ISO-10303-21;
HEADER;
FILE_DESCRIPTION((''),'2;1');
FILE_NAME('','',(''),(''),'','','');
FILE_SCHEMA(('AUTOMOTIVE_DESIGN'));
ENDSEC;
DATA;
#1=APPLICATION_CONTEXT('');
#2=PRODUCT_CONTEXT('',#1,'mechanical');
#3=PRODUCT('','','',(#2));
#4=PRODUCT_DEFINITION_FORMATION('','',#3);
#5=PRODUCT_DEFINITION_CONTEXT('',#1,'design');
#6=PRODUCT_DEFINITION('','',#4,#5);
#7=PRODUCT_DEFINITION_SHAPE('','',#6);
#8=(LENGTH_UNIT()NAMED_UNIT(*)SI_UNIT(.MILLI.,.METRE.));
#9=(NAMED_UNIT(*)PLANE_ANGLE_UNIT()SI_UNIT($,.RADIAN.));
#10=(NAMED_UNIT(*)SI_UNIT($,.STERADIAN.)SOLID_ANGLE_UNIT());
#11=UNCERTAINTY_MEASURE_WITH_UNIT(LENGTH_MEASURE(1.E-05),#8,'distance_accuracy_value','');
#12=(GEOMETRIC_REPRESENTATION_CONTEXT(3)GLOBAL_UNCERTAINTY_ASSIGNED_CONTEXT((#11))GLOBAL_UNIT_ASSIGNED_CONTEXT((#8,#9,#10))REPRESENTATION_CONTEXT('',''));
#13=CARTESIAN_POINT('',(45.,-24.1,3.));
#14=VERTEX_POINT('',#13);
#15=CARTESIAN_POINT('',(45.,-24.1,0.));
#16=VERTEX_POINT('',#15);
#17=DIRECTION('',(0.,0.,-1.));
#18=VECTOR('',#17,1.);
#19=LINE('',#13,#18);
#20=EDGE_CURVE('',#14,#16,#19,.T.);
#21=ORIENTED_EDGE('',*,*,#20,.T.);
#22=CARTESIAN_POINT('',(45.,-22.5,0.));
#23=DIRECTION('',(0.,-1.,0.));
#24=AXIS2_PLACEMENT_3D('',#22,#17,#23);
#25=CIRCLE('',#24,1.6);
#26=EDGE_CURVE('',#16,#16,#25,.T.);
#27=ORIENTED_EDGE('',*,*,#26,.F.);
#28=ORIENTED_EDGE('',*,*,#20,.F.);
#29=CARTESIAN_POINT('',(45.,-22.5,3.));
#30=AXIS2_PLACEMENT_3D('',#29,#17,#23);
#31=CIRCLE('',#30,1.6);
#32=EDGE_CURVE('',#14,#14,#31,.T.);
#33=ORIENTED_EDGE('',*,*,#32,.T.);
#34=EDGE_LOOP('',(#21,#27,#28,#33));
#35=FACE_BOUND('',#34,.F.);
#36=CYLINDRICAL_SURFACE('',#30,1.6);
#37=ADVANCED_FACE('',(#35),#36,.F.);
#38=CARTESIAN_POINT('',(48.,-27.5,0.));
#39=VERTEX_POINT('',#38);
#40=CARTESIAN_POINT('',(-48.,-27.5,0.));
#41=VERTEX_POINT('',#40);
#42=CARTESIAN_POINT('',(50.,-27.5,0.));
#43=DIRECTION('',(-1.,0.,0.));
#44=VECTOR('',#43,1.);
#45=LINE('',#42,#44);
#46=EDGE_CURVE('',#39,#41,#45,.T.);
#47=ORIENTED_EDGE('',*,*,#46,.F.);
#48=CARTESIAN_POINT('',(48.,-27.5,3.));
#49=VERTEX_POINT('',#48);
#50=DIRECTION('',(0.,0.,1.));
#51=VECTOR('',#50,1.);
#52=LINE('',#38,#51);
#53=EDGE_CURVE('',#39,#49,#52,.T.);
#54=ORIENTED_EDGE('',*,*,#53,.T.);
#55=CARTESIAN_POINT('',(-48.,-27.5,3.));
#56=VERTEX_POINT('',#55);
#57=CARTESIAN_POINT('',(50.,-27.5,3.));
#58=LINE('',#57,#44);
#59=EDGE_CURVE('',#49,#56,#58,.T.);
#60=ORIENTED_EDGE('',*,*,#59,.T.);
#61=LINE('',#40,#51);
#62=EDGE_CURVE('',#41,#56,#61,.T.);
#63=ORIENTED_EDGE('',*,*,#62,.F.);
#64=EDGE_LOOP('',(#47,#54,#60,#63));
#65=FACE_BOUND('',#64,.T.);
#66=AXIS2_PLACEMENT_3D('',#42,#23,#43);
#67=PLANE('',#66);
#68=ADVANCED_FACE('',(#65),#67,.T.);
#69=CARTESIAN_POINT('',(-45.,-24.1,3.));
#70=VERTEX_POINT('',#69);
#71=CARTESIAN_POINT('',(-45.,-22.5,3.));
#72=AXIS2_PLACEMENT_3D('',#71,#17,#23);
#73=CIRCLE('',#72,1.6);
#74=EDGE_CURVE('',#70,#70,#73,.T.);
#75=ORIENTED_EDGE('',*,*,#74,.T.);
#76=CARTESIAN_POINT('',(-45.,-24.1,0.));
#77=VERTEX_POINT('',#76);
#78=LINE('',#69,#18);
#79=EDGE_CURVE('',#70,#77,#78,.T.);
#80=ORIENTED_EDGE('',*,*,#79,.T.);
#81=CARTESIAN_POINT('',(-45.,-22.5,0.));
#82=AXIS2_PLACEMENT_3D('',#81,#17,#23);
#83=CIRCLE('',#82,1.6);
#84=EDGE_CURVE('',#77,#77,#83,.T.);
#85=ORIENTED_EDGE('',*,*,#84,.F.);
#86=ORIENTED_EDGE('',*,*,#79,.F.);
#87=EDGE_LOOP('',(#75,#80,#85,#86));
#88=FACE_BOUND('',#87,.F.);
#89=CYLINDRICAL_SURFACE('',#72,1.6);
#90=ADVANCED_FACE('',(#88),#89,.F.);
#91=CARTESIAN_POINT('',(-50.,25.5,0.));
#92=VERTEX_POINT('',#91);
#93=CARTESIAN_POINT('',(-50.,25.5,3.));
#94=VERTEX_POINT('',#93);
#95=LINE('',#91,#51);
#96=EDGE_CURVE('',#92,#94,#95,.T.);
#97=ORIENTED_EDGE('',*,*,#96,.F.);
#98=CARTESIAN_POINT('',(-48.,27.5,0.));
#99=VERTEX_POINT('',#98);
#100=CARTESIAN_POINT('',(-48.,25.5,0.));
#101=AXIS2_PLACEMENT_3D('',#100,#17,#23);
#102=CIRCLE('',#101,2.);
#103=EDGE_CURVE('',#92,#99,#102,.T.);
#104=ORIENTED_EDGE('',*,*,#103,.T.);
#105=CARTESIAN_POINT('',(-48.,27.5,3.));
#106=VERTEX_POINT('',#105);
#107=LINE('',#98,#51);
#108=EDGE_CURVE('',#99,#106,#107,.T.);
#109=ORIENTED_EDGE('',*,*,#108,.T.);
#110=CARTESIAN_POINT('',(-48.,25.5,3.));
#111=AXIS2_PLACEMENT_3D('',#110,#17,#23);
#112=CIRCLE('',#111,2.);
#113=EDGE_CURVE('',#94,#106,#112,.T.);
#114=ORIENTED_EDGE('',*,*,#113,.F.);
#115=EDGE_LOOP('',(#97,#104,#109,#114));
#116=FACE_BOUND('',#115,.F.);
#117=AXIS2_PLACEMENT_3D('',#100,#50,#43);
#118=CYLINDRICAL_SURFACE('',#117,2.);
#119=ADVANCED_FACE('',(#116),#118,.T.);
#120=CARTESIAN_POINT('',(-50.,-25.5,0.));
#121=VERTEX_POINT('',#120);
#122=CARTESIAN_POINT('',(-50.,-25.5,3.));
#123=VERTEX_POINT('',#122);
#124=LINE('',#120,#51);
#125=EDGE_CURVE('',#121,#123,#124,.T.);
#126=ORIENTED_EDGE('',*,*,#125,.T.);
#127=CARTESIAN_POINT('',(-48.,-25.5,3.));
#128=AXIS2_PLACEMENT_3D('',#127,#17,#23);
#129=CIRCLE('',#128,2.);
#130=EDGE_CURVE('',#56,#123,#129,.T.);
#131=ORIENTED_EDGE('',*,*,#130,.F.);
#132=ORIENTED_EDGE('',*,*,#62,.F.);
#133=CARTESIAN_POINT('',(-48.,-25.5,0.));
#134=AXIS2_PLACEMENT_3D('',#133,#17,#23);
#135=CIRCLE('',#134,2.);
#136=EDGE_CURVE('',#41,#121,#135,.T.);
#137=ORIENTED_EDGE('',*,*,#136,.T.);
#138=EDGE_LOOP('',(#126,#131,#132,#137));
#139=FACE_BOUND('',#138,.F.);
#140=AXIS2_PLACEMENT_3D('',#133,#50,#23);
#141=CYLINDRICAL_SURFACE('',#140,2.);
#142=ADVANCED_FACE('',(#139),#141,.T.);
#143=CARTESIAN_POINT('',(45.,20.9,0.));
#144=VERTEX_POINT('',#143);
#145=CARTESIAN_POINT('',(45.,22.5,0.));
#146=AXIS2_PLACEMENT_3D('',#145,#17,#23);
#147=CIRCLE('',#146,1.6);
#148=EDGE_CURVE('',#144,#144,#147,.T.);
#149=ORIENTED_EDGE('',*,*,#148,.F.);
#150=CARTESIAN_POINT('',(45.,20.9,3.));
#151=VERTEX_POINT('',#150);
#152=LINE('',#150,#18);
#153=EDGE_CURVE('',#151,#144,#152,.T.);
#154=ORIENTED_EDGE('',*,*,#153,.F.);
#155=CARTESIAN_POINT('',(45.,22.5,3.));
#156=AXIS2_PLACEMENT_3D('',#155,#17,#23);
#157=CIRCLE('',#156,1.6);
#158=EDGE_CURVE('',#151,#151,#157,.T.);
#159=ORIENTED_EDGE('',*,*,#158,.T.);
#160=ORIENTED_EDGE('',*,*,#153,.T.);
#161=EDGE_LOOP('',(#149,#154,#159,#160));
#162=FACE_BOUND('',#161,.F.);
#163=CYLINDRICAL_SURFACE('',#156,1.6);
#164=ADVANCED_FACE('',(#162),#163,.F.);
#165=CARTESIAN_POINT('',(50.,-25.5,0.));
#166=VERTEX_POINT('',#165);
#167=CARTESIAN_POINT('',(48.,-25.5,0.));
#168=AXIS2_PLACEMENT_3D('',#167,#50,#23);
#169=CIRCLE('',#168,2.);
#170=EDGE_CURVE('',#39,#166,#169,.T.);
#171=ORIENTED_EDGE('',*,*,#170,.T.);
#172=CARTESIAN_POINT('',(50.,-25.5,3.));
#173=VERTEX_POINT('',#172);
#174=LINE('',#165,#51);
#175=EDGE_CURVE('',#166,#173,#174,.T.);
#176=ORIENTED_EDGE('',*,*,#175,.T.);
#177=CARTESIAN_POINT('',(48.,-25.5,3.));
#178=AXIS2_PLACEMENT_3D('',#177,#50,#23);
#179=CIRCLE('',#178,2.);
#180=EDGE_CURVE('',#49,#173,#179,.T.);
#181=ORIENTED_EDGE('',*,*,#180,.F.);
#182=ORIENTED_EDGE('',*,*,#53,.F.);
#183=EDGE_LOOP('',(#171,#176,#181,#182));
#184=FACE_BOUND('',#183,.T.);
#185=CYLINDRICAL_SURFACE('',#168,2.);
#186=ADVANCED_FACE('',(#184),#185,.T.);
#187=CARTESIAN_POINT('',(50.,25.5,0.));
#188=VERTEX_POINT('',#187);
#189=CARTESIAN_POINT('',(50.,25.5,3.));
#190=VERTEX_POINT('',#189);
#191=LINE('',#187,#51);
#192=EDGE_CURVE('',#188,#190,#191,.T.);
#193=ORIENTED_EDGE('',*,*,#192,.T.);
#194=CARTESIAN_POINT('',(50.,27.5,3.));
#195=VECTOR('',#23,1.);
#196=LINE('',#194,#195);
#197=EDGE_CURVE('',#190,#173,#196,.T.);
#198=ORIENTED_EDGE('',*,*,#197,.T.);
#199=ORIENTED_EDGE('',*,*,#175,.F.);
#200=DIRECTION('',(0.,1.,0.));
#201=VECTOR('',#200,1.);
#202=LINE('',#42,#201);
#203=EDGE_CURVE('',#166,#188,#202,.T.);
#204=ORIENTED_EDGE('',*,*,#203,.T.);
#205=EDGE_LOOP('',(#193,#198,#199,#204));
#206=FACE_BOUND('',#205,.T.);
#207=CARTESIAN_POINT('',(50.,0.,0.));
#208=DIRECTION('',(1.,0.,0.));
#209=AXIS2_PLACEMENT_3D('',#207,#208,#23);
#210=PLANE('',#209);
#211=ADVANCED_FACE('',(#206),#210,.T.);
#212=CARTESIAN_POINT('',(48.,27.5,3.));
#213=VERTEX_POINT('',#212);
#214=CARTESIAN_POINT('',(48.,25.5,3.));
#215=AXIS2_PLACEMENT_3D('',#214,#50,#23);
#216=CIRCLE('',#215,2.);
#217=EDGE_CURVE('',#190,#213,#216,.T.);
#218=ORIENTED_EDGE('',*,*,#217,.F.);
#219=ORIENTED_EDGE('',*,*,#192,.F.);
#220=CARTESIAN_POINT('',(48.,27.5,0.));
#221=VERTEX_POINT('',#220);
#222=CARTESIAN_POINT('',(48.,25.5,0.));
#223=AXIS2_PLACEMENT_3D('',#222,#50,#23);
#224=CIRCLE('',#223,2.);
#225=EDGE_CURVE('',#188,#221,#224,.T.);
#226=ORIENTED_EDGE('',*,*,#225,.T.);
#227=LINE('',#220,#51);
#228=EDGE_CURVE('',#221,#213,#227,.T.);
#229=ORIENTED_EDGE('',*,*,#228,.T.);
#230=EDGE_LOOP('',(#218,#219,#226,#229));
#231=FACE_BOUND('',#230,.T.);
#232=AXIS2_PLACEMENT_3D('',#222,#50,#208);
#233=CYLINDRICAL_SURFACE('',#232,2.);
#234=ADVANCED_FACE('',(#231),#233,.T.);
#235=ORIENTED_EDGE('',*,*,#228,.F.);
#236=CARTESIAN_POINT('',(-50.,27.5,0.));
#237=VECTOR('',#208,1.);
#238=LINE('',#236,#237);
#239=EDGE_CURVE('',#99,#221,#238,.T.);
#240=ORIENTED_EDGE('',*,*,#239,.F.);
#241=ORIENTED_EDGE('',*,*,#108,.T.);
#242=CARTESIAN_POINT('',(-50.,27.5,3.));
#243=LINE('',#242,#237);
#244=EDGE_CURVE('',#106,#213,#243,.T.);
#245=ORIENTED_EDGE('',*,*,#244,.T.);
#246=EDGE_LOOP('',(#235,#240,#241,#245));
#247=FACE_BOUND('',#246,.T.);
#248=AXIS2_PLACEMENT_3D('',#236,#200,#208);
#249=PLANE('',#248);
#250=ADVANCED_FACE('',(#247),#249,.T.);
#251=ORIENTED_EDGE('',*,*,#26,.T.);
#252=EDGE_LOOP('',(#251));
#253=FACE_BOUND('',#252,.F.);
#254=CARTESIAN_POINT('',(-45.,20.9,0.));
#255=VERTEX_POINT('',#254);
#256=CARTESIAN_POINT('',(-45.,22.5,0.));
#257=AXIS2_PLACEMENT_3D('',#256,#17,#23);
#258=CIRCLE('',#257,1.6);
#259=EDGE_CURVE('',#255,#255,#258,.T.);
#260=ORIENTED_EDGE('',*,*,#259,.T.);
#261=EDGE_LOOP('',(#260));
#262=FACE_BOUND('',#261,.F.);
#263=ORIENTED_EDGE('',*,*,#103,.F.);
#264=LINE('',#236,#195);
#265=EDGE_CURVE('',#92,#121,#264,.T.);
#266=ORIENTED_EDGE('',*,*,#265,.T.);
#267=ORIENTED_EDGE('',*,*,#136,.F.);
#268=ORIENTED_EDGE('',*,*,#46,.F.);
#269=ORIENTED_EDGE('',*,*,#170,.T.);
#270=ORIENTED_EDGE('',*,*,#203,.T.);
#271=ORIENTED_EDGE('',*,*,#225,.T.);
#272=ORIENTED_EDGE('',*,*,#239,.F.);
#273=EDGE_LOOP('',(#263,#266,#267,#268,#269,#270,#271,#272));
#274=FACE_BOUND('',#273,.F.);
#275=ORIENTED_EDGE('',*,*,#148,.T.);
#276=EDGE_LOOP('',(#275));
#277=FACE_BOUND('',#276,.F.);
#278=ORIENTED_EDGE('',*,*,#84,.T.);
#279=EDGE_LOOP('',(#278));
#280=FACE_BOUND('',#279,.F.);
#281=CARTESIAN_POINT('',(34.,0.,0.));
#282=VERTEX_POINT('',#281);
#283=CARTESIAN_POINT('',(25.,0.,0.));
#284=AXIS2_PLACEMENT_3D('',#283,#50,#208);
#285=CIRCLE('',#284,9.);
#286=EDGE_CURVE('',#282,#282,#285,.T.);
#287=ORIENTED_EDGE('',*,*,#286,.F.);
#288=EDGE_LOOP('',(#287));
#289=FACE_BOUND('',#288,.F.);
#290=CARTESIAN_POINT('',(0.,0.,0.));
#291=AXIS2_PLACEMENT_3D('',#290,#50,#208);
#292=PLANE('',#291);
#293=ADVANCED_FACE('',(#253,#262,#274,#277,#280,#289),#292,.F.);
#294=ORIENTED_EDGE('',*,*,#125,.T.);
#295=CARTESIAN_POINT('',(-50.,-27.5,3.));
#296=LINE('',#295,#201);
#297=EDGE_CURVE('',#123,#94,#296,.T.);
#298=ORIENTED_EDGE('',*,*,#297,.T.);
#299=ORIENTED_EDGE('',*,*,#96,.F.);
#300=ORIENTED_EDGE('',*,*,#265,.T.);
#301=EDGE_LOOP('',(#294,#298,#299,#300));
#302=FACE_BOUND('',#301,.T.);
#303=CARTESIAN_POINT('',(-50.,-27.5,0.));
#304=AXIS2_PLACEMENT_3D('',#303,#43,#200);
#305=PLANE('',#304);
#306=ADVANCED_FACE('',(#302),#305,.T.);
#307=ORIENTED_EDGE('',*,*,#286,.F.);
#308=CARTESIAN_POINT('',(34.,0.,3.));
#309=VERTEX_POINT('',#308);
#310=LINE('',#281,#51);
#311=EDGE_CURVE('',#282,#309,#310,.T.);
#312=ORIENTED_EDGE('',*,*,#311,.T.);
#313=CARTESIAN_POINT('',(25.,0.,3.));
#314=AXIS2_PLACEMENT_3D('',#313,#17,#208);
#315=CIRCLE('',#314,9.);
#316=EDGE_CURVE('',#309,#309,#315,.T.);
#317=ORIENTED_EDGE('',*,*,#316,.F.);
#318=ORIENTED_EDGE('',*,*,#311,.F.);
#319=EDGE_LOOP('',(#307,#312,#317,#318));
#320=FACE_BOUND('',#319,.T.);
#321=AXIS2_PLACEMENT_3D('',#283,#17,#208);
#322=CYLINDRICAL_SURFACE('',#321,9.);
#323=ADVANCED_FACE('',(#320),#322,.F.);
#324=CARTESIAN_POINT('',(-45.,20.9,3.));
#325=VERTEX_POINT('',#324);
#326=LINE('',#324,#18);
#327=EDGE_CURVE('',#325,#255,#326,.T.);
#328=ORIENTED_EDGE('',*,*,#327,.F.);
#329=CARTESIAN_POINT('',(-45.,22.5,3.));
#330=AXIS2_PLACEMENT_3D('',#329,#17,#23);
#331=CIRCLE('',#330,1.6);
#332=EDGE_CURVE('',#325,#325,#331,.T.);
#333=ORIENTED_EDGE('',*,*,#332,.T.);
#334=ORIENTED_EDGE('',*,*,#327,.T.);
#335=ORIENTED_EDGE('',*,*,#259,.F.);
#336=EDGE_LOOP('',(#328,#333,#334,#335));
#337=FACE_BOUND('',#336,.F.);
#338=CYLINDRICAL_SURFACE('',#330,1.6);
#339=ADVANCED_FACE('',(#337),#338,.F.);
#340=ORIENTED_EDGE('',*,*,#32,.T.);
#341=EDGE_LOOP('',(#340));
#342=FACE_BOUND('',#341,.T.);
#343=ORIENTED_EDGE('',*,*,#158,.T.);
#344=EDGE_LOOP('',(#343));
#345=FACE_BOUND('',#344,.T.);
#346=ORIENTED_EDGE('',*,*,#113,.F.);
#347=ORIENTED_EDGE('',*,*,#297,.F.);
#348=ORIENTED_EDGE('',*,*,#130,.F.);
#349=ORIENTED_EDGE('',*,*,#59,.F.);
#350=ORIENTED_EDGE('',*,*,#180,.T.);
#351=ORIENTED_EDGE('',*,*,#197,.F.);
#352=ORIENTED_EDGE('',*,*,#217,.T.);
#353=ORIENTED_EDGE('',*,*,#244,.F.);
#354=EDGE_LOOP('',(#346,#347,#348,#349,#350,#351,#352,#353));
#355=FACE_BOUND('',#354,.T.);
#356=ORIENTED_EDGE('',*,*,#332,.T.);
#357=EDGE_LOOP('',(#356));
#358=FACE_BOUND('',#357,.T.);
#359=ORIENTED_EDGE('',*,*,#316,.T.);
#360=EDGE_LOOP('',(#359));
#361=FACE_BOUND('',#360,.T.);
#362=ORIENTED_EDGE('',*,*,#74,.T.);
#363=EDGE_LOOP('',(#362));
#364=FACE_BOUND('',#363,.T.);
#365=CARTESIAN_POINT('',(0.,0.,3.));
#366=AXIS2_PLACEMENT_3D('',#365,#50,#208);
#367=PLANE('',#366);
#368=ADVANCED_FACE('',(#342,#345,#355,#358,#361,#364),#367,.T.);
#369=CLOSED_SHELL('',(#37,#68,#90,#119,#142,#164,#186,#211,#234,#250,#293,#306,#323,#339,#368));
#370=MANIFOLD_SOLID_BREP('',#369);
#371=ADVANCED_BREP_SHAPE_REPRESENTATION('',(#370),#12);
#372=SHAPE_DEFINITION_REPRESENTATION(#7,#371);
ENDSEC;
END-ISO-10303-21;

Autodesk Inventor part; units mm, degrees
ref_plane "YZ Plane" through (0, 0, 0) normal (1, 0, 0) x (0, 1, 0)
ref_plane "XZ Plane" through (0, 0, 0) normal (0, 1, 0) x (-1, 0, 0)
ref_plane "XY Plane" through (0, 0, 0) normal (0, 0, 1) x (1, 0, 0)
sketch "スケッチ1" plane through (0, 0, 0) normal (0, 0, 1) x (1, 0, 0)
  line L0 (50, -27.5) -> (-50, -27.5)
  line L1 (-50, -27.5) -> (-50, 27.5)
  line L2 (-50, 27.5) -> (50, 27.5)
  line L3 (50, 27.5) -> (50, -27.5)
  line L4 (50, -27.5) -> (-50, 27.5) construction
  line L5 (-50, -27.5) -> (50, 27.5) construction
  circle A0 centre (0, 0) radius 25
  line L6 (-50, 0) -> (50, 0)
  circle A1 centre (25, 0) radius 9
  circle A2 centre (-25, 0) radius 12.5
  circle A3 centre (-25, 0) radius 17.5
  circle A4 centre (-25, 17.5) radius 2.05
  circle A5 centre (-42.5, 0) radius 2.05
  circle A6 centre (-25, -17.5) radius 2.05
  circle A7 centre (-7.5, 0) radius 2.05
  dimension "d5" = 35
  dimension "d0" = 100
  dimension "d1" = 55
  dimension "d2" = 50
  dimension "d3" = 18
  dimension "d4" = 25
  dimension "d6" = 4.1
  dimension "d9" = 360
  dimension "d11" = 25
extrude "押し出し1" add sketch "スケッチ1" along normal blind 3 contours L0 L1 L6 A5 A3 A6 A0 A1 L3 | L6 A1 A0 A3 A4 A5 L1 L2 L3 | A5 A3 L6 | L6 A3 A5 | A1 L6 A7 A3 A0 | A0 A3 A7 L6 A1 | A3 A5 L6 | L6 A5 A3 | A3 A4 A0 A2 L6 A5 | A5 L6 A2 A0 A3 A6 | A3 A7 L6 A2 A0 | A0 A2 L6 A7 A3 | A4 A3 | A3 A4 | A6 A3 | A3 A6 | A7 A3 L6 | L6 A3 A7 | A2 L6 A0 | A0 L6 A2 | A3 L6 A7 | A2 L6 A0 | A0 L6 A2 | A7 L6 A3
sketch "スケッチ2" plane through (0, 0, 3) normal (0, 0, 1) x (1, 0, 0)
  line L0 (50, 27.5) -> (-50, 27.5) projected
  line L1 (-50, 27.5) -> (-50, -27.5) projected
  line L2 (-50, -27.5) -> (50, -27.5) projected
  line L3 (50, -27.5) -> (50, 27.5) projected
  circle A0 centre (25, 0) radius 9 projected
  line L4 (-45, 22.5) -> (45, 22.5)
  line L5 (45, 22.5) -> (45, -22.5)
  line L6 (45, -22.5) -> (-45, -22.5)
  line L7 (-45, -22.5) -> (-45, 22.5)
  point P0 (0, 0)
  dimension "d14" = 5
hole "穴1" at (-45, 22.5, 3) at (-45, -22.5, 3) at (45, -22.5, 3) at (45, 22.5, 3) direction (0, 0, -1) diameter 3.2 end through all
fillet "フィレット1" radius 2 4 edges at (-50, 27.5, 1.5) (50, 27.5, 1.5) (50, -27.5, 1.5) (-50, -27.5, 1.5)
sketch "スケッチ3" plane through (0, 0, 3) normal (0, 0, 1) x (1, 0, 0)
  arc A0 (-50, -25.5) -> (-48, -27.5) centre (-48, -25.5) ccw projected
  line L0 (-48, -27.5) -> (48, -27.5) projected
  arc A1 (48, -27.5) -> (50, -25.5) centre (48, -25.5) ccw projected
  line L1 (50, -25.5) -> (50, 25.5) projected
  arc A2 (50, 25.5) -> (48, 27.5) centre (48, 25.5) ccw projected
  line L2 (48, 27.5) -> (-48, 27.5) projected
  arc A3 (-48, 27.5) -> (-50, 25.5) centre (-48, 25.5) ccw projected
  line L3 (-50, 25.5) -> (-50, -25.5) projected
  circle A4 centre (45, 22.5) radius 1.6 projected
  circle A5 centre (45, -22.5) radius 1.6 projected
  circle A6 centre (-45, -22.5) radius 1.6 projected
  circle A7 centre (-45, 22.5) radius 1.6 projected
  circle A8 centre (25, 0) radius 9 projected
  point P0 (0, 0)
equation "\"d11\" = -0.5 * d2 + 0.5 * d0"
properties part number "xx_plate_nomotor"
